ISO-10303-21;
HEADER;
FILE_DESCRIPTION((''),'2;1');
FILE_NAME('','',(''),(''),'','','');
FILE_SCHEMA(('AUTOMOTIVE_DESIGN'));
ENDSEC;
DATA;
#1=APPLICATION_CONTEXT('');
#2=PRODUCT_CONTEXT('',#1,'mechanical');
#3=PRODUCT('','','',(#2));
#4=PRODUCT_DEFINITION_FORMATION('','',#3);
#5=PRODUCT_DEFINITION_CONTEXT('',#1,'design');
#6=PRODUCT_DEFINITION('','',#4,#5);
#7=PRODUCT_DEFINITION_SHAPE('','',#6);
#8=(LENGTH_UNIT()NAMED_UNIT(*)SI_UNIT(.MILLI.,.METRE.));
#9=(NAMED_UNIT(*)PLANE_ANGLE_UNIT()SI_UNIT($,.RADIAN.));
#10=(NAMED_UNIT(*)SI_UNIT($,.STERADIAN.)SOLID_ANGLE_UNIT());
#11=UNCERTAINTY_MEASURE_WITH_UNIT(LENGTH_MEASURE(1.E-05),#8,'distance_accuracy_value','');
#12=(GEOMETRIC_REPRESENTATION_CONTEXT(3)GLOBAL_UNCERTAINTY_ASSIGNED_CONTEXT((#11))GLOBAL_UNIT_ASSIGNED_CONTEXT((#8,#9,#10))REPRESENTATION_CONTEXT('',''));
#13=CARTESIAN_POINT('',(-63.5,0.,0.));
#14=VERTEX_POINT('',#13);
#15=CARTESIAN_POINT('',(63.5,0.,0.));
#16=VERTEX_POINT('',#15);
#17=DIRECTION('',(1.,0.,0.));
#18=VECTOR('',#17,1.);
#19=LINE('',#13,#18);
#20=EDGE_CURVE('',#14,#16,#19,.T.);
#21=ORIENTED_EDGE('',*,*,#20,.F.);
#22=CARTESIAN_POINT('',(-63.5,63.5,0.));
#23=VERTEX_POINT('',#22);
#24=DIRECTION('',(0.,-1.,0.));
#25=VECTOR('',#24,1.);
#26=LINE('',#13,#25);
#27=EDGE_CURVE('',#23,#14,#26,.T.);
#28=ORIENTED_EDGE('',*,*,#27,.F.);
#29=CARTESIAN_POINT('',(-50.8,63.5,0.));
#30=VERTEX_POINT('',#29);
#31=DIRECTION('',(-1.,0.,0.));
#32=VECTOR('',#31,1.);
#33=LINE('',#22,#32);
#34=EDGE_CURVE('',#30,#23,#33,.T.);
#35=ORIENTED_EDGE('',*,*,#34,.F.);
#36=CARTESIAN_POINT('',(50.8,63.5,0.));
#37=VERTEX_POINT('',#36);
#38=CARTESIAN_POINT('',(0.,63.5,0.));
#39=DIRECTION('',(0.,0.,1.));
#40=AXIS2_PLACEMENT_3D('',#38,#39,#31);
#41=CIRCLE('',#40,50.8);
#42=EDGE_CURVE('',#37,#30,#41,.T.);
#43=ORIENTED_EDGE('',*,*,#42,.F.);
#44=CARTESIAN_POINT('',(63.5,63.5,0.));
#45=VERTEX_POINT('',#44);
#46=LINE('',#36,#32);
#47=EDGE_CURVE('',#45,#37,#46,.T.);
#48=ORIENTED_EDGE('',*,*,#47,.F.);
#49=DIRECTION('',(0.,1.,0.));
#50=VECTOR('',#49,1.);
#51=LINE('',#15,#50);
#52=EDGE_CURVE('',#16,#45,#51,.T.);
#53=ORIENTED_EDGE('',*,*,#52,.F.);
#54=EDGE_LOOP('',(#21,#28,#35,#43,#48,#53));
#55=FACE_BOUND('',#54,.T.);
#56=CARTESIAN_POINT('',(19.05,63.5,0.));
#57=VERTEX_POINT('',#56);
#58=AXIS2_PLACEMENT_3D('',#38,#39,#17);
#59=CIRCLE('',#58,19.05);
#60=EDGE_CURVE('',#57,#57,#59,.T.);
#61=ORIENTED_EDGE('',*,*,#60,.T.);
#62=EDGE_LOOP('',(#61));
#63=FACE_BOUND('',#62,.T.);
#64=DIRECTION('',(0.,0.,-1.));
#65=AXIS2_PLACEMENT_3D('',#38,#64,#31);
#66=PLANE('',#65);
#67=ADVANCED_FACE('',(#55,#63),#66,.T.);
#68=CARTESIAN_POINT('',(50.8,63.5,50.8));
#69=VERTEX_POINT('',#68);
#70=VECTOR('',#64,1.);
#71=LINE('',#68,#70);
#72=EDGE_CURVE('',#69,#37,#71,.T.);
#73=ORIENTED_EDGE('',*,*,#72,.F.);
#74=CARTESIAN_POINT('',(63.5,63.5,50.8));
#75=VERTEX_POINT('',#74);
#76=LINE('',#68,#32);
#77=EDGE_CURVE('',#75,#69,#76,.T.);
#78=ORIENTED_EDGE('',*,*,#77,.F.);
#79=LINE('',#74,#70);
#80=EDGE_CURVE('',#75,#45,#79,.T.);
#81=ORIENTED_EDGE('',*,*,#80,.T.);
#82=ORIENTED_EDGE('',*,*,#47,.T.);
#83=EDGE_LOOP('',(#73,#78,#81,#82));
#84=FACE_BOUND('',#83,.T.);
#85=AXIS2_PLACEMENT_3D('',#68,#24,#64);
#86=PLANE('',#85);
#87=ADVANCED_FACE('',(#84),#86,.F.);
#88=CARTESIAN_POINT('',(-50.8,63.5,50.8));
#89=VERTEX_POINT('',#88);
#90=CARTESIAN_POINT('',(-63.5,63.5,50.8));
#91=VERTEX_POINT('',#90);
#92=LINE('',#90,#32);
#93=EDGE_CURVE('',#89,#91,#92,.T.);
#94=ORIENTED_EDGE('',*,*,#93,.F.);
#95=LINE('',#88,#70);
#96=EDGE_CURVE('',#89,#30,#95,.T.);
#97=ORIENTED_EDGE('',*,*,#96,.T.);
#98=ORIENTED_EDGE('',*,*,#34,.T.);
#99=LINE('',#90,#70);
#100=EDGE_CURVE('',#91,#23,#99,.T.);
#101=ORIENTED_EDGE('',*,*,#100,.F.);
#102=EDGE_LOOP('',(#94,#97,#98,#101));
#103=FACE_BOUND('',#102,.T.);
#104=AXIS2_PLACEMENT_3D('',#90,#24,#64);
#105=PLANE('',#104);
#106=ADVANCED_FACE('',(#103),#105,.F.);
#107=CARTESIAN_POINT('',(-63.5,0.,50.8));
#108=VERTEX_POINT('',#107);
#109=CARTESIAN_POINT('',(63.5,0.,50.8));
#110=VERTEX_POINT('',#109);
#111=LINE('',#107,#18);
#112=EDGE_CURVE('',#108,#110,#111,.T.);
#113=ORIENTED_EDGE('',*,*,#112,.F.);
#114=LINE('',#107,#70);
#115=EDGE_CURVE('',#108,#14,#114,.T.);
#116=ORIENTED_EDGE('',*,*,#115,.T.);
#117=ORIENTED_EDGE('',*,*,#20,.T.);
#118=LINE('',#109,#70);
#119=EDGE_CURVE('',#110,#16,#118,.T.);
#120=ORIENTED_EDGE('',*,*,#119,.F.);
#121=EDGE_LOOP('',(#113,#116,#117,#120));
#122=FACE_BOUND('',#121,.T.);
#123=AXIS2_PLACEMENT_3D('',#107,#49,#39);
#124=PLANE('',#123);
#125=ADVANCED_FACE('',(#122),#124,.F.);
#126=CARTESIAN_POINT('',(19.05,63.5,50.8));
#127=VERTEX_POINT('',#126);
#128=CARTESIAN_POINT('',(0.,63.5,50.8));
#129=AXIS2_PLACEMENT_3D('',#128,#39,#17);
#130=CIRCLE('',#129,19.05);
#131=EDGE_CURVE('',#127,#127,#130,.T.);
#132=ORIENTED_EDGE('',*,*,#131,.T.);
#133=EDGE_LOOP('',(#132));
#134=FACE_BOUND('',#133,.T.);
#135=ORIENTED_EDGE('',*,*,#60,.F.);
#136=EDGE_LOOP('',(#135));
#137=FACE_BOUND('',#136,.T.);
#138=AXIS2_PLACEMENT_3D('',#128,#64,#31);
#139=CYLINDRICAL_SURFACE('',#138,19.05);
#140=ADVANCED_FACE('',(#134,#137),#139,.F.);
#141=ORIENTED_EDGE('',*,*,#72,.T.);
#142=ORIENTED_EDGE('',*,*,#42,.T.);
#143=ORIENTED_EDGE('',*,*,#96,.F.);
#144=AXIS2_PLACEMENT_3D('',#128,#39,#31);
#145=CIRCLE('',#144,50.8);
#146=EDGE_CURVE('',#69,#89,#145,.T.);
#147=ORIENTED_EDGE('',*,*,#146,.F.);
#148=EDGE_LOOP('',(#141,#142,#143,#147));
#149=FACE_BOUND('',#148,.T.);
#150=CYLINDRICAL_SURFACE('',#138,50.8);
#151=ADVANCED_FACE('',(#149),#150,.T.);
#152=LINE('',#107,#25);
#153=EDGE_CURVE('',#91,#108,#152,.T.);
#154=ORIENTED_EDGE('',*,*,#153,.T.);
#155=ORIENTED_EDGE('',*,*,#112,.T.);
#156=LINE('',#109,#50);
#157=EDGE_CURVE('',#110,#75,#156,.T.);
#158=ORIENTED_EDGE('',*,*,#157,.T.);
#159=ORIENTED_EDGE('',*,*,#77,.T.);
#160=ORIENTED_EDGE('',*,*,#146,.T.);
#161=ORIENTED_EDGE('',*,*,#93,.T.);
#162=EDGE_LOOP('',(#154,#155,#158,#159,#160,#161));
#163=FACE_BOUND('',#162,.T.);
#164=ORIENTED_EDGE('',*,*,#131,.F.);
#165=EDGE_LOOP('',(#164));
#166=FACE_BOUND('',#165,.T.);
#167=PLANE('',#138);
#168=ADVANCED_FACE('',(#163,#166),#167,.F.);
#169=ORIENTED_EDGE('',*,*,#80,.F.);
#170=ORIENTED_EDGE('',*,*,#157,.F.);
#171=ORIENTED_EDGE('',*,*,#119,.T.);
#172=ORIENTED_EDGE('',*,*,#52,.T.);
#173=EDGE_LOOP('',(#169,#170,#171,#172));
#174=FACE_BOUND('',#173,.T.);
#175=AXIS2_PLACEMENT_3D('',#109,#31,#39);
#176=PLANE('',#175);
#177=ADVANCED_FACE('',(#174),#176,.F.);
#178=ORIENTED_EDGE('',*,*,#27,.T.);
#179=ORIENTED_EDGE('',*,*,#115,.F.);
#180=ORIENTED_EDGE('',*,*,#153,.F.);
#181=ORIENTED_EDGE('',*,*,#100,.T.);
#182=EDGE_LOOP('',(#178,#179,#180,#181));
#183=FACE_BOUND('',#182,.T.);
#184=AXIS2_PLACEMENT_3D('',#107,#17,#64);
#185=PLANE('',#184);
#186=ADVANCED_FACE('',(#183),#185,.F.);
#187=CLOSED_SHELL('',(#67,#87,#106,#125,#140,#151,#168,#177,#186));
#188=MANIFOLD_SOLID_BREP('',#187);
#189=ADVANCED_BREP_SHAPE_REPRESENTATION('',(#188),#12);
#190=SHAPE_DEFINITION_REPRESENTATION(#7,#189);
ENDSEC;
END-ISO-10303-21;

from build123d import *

# Parameters (mm, degrees)
SKETCH1_R           = 19.05
BOSS_EXTRUDE1_DEPTH = 50.8


with BuildPart() as part:
    # Sketch1 → Boss-Extrude1 (new body)
    with BuildSketch(Plane.XY):
        with BuildLine():
            Line((-63.5, 0), (63.5, 0))
            Line((63.5, 0), (63.5, 63.5))
            Line((63.5, 63.5), (50.8, 63.5))
            ThreePointArc((50.8, 63.5), (0, 114.3), (-50.8, 63.5))
            Line((-50.8, 63.5), (-63.5, 63.5))
            Line((-63.5, 63.5), (-63.5, 0))
        make_face()
        with Locations((0, 63.5)):
            Circle(SKETCH1_R, mode=Mode.SUBTRACT)
    extrude(amount=BOSS_EXTRUDE1_DEPTH)


solid = part.part
